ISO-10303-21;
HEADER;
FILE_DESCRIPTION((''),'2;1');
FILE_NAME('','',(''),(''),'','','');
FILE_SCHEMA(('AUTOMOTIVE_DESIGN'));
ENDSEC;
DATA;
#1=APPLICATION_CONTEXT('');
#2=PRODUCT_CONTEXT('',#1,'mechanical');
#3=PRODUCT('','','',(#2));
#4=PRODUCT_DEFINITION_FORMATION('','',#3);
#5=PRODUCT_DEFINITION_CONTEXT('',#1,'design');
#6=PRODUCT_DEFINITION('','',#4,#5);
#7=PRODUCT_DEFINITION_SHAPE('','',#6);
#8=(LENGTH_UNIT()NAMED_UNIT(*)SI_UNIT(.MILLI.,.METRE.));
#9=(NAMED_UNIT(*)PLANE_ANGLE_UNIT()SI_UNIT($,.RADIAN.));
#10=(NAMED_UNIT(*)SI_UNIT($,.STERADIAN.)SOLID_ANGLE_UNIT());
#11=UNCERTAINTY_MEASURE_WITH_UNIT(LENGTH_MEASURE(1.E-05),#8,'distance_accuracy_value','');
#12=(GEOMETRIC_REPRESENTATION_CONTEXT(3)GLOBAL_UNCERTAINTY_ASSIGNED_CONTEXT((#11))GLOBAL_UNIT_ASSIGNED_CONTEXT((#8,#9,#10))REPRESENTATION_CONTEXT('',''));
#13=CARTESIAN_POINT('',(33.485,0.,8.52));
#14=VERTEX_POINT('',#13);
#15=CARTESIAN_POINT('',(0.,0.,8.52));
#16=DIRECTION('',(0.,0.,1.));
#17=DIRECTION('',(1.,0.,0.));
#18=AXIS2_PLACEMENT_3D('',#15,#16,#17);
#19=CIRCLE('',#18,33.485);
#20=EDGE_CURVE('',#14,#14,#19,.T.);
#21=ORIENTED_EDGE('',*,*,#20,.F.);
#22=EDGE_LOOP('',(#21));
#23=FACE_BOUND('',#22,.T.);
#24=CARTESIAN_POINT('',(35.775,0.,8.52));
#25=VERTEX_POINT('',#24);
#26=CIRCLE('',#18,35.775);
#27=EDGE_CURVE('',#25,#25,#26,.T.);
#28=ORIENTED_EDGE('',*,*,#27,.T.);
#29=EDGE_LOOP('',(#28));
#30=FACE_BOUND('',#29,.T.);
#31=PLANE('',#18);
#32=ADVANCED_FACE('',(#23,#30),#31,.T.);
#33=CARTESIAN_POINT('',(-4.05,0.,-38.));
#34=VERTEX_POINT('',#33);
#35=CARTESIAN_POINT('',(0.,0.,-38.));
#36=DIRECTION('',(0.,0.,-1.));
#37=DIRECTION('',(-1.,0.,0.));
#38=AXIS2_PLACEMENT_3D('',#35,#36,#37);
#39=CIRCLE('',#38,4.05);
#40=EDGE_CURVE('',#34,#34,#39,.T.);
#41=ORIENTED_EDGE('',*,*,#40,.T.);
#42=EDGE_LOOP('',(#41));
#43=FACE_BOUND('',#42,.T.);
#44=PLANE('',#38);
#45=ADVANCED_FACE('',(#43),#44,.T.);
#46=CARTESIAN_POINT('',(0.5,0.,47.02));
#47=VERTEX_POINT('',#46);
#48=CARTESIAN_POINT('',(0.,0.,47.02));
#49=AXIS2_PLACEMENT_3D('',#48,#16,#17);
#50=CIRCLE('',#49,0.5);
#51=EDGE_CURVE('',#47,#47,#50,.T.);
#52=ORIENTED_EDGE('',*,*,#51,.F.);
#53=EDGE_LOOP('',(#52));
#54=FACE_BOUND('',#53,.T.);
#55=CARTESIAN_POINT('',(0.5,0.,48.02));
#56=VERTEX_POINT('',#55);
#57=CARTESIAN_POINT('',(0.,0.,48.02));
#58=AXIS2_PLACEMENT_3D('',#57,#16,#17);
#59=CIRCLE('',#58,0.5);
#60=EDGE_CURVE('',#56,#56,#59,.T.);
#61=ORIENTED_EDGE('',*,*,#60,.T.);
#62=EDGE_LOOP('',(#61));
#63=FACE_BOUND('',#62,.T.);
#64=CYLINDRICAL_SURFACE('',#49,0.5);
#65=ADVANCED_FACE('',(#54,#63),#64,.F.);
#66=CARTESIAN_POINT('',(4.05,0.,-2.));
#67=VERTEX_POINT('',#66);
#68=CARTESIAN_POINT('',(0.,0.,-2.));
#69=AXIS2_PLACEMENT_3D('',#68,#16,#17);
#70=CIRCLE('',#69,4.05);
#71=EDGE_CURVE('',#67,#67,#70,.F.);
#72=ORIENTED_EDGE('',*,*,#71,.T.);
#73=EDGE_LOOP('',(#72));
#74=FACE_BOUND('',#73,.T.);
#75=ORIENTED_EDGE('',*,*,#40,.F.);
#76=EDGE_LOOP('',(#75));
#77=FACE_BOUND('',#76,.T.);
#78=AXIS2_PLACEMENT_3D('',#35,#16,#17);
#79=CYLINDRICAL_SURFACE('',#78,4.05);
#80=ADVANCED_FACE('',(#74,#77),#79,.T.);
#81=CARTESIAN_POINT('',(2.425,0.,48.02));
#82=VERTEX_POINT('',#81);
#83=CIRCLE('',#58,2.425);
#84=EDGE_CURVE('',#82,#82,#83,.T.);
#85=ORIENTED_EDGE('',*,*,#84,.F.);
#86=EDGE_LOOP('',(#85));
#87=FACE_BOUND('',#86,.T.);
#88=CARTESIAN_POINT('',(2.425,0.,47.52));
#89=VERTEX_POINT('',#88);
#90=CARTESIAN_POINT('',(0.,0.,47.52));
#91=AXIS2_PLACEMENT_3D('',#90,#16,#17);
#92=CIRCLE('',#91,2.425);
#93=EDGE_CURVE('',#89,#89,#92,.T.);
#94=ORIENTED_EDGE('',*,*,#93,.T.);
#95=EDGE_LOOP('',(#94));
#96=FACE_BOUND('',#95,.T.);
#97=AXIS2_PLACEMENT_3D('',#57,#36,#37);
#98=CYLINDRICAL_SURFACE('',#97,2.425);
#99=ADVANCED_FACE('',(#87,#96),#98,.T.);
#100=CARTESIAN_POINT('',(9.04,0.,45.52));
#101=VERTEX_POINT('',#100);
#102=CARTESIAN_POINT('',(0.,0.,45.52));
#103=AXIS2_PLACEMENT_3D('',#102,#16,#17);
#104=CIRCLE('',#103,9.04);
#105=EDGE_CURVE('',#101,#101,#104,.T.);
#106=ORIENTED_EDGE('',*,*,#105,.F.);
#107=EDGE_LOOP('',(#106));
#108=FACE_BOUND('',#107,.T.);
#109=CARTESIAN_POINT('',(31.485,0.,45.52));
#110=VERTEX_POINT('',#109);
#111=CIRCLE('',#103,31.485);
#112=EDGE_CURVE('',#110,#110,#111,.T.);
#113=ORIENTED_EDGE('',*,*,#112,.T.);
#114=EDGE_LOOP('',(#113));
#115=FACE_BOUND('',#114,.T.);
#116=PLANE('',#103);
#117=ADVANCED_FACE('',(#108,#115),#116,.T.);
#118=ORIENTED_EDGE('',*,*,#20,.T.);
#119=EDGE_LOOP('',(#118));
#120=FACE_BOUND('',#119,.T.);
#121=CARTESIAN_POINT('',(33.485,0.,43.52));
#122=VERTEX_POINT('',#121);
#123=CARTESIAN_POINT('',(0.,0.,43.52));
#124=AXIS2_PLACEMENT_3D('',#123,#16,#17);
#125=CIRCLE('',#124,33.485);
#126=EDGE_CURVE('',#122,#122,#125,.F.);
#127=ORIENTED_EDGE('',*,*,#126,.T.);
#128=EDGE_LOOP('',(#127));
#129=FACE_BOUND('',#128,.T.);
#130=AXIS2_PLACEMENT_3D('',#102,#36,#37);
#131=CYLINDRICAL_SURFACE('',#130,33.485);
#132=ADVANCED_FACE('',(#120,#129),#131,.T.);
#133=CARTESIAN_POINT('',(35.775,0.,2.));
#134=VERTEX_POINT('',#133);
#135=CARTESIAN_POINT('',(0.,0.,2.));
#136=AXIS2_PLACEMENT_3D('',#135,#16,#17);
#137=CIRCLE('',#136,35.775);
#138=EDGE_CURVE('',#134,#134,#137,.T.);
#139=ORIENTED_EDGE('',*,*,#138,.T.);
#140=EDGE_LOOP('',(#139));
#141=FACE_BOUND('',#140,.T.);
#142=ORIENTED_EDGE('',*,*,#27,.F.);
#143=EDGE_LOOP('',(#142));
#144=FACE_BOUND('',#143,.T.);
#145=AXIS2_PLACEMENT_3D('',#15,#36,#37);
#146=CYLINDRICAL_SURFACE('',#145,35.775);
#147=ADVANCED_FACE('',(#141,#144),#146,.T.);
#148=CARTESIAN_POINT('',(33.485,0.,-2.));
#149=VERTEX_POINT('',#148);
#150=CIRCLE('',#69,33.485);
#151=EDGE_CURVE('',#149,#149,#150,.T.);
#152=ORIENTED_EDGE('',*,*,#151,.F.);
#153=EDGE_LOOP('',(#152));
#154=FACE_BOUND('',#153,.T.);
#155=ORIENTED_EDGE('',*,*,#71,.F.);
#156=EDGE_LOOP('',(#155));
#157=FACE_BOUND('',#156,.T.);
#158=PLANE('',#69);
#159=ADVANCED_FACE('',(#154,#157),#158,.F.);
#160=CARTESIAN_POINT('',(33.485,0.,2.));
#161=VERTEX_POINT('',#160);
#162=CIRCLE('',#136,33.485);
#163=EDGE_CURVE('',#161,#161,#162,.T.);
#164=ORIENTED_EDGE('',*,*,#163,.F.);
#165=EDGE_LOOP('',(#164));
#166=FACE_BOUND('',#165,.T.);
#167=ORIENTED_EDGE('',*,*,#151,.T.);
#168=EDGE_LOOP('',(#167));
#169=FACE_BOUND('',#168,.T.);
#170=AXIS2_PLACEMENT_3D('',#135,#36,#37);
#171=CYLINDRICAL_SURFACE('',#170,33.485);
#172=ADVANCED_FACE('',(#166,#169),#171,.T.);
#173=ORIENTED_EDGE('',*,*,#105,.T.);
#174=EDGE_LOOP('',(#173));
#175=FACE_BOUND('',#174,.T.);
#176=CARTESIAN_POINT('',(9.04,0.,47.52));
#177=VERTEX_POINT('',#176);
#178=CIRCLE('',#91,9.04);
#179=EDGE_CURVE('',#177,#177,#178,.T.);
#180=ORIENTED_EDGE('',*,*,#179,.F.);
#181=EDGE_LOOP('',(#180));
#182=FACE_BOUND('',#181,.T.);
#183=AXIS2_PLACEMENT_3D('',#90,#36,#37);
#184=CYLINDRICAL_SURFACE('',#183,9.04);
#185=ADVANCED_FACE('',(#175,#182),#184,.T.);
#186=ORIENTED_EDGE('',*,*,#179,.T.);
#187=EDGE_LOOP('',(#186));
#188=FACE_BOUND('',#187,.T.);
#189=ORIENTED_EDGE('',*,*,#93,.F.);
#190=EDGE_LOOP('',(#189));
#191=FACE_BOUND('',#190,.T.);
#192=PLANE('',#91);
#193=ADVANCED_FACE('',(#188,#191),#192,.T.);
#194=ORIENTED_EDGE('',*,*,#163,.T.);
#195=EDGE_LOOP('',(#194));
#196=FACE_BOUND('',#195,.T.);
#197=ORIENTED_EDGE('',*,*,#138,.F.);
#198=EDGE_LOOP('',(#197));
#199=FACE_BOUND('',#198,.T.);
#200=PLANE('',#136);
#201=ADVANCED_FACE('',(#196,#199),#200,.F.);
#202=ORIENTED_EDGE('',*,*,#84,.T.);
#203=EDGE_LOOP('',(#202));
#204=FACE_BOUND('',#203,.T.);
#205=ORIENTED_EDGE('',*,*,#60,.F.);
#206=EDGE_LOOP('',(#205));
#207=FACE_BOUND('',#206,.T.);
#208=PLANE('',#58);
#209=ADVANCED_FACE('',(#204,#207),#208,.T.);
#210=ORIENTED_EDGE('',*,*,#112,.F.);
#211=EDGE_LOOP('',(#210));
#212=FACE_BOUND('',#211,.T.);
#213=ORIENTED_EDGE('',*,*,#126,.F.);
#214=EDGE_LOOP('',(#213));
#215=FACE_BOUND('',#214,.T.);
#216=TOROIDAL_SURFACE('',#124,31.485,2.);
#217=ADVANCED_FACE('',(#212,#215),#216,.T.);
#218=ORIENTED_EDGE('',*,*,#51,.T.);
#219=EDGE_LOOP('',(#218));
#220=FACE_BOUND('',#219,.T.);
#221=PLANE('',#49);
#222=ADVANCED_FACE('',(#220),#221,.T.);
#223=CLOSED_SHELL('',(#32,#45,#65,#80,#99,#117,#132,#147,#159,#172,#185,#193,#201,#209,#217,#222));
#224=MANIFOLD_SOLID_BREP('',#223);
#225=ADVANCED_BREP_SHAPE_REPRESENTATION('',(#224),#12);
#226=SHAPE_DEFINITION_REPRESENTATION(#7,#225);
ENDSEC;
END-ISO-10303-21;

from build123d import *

# Parameters (mm, degrees)
CROQUIS1_R              = 33.485
SALIENTE_EXTRUIR1_DEPTH = 2
CROQUIS2_R              = 35.775
SALIENTE_EXTRUIR2_DEPTH = 6.52
SALIENTE_EXTRUIR3_START = 37
CROQUIS3_R              = 33.485
SALIENTE_EXTRUIR3_DEPTH = 37
CROQUIS4_R              = 9.04
SALIENTE_EXTRUIR4_DEPTH = 2
CROQUIS5_R              = 2.425
SALIENTE_EXTRUIR5_DEPTH = 0.5
CROQUIS6_R              = 0.5
CORTAR_EXTRUIR1_DEPTH   = 1
CROQUIS7_R              = 4.05
SALIENTE_EXTRUIR6_DEPTH = 36
REDONDEO2_R             = 2


with BuildPart() as part:
    # Croquis1 → Saliente-Extruir1 (new, symmetric)
    with BuildSketch(Plane.XY):
        Circle(CROQUIS1_R)
    extrude(amount=SALIENTE_EXTRUIR1_DEPTH, both=True)

    # Croquis2 → Saliente-Extruir2 (add)
    with BuildSketch(Plane.XY.offset(2)):
        Circle(CROQUIS2_R)
    extrude(amount=SALIENTE_EXTRUIR2_DEPTH)

    # Croquis3 → Saliente-Extruir3 (add)
    with BuildSketch(Plane.XY.offset(8.52).offset(SALIENTE_EXTRUIR3_START)):
        Circle(CROQUIS3_R)
    extrude(amount=-SALIENTE_EXTRUIR3_DEPTH)

    # Croquis4 → Saliente-Extruir4 (add)
    with BuildSketch(Plane.XY.offset(45.52)):
        Circle(CROQUIS4_R)
    extrude(amount=SALIENTE_EXTRUIR4_DEPTH)

    # Croquis5 → Saliente-Extruir5 (add)
    with BuildSketch(Plane.XY.offset(47.52)):
        Circle(CROQUIS5_R)
    extrude(amount=SALIENTE_EXTRUIR5_DEPTH)

    # Croquis6 → Cortar-Extruir1 (cut)
    with BuildSketch(Plane.XY.offset(48.02)):
        Circle(CROQUIS6_R)
    extrude(amount=-CORTAR_EXTRUIR1_DEPTH, mode=Mode.SUBTRACT)

    # Croquis7 → Saliente-Extruir6 (add)
    with BuildSketch(Plane(origin=(0, 0, -2), x_dir=(-1, 0, 0), z_dir=(0, 0, -1))):
        with Locations(Location((0, 0, 0), (0, 0, 180))):
            Circle(CROQUIS7_R)
    extrude(amount=SALIENTE_EXTRUIR6_DEPTH)

    # Redondeo2
    redondeo2_edges = [part.edges().sort_by_distance(p)[0] for p in [
        (-33.485, 0, 45.52),
    ]]
    fillet(redondeo2_edges, radius=REDONDEO2_R)


solid = part.part
